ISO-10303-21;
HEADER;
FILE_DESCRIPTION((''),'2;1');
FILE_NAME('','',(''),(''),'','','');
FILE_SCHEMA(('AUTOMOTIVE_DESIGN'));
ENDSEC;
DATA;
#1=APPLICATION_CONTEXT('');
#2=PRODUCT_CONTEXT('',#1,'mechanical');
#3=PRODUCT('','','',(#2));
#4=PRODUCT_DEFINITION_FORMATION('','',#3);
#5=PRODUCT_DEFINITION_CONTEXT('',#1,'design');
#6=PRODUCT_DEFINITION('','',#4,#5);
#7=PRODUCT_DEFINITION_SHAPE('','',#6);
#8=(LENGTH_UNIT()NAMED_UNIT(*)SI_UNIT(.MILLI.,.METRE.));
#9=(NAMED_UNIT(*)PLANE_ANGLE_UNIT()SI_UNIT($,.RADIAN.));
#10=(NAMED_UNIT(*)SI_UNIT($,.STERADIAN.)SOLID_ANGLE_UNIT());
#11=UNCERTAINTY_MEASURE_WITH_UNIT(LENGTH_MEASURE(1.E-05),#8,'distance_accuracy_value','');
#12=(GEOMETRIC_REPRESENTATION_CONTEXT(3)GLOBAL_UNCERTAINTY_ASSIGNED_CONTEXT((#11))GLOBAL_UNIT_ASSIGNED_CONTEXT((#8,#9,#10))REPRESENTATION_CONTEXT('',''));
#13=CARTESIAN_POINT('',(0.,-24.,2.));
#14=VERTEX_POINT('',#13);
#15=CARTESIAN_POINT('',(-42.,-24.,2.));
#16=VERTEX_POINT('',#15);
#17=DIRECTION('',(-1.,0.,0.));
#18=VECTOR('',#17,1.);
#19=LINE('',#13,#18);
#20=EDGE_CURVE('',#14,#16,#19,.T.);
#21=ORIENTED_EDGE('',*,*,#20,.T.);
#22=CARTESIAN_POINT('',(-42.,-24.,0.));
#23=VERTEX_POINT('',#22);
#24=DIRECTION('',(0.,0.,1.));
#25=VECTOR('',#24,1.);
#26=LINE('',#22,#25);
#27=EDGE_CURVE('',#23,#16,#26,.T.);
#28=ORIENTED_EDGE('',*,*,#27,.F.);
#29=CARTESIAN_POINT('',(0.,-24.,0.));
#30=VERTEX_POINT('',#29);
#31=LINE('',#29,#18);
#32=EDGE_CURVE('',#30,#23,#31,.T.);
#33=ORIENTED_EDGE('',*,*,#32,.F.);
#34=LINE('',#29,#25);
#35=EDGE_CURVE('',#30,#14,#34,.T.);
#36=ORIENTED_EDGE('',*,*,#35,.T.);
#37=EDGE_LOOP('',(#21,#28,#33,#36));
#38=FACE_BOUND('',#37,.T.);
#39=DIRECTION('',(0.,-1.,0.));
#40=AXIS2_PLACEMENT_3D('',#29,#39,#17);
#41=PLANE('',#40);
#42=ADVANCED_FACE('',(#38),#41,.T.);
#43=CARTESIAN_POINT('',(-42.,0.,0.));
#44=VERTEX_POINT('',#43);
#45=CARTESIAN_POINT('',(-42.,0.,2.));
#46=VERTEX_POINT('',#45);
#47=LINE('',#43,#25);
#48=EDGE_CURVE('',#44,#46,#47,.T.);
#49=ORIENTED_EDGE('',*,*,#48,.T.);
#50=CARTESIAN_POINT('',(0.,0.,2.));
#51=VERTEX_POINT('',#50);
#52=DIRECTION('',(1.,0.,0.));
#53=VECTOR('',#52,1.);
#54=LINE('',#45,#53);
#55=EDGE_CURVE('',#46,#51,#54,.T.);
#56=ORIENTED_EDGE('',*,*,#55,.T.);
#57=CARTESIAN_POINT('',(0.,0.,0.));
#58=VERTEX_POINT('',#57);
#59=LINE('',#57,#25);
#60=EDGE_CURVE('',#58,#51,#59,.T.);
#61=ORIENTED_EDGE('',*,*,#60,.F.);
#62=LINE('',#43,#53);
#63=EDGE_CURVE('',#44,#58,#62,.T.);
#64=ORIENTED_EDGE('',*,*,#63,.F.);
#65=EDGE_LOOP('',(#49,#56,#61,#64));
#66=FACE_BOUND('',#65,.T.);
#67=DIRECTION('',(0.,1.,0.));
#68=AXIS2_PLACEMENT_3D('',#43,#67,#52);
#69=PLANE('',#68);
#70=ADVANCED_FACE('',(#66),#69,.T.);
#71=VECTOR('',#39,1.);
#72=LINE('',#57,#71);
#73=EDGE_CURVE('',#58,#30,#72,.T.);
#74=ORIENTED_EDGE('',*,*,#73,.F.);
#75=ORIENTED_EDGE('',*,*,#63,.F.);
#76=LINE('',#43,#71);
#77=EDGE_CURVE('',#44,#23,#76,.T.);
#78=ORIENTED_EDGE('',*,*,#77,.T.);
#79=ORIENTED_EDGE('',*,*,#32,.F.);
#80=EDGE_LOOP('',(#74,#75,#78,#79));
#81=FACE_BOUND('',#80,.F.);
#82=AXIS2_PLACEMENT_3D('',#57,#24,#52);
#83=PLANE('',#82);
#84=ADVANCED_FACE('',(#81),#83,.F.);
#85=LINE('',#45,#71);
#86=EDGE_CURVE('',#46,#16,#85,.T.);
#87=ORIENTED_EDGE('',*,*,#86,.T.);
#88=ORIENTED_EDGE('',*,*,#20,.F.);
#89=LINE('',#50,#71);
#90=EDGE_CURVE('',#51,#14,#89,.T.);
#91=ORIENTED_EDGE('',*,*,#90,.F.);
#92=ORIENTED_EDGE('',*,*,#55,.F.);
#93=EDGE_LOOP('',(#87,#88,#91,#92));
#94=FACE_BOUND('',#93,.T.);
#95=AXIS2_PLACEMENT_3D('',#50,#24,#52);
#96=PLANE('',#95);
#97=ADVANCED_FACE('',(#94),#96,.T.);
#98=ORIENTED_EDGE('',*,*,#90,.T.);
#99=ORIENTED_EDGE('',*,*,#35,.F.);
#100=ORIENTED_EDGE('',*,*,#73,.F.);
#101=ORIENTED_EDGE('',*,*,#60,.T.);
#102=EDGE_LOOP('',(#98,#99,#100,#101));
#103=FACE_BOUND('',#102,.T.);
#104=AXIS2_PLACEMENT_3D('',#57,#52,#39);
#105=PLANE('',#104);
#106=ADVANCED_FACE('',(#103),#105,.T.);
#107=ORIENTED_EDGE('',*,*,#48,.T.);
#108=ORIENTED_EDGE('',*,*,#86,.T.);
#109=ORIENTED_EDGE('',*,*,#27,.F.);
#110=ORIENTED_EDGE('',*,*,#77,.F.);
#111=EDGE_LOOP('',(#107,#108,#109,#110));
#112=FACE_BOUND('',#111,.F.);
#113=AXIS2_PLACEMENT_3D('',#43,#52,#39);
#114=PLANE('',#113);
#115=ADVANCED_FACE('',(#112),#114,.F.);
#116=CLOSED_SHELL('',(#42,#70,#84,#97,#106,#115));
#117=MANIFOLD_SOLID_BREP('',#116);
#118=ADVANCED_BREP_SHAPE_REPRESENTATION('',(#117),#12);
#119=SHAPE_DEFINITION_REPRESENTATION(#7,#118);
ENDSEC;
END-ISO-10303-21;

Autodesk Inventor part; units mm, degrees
ref_plane "YZ Plane" through (0, 0, 0) normal (1, 0, 0) x (0, 1, 0)
ref_plane "XZ Plane" through (0, 0, 0) normal (0, 1, 0) x (-1, 0, 0)
ref_plane "XY Plane" through (0, 0, 0) normal (0, 0, 1) x (1, 0, 0)
ref_plane "Work Plane1" through (0, 0, 0) normal (0, 0, 1) x (1, 0, 0)
sketch "Sketch1" plane through (0, 0, 0) normal (0, 0, 1) x (1, 0, 0)
  line L0 (-42, 0) -> (0, 0) projected
  line L1 (-42, 0) -> (-42, -24) projected
  line L2 (0, -24) -> (-42, -24) projected
  line L3 (0, 0) -> (0, -24) projected
extrude "Extrusion1" add sketch "Sketch1" along normal blind 2
properties part number "tpu pad 2"
